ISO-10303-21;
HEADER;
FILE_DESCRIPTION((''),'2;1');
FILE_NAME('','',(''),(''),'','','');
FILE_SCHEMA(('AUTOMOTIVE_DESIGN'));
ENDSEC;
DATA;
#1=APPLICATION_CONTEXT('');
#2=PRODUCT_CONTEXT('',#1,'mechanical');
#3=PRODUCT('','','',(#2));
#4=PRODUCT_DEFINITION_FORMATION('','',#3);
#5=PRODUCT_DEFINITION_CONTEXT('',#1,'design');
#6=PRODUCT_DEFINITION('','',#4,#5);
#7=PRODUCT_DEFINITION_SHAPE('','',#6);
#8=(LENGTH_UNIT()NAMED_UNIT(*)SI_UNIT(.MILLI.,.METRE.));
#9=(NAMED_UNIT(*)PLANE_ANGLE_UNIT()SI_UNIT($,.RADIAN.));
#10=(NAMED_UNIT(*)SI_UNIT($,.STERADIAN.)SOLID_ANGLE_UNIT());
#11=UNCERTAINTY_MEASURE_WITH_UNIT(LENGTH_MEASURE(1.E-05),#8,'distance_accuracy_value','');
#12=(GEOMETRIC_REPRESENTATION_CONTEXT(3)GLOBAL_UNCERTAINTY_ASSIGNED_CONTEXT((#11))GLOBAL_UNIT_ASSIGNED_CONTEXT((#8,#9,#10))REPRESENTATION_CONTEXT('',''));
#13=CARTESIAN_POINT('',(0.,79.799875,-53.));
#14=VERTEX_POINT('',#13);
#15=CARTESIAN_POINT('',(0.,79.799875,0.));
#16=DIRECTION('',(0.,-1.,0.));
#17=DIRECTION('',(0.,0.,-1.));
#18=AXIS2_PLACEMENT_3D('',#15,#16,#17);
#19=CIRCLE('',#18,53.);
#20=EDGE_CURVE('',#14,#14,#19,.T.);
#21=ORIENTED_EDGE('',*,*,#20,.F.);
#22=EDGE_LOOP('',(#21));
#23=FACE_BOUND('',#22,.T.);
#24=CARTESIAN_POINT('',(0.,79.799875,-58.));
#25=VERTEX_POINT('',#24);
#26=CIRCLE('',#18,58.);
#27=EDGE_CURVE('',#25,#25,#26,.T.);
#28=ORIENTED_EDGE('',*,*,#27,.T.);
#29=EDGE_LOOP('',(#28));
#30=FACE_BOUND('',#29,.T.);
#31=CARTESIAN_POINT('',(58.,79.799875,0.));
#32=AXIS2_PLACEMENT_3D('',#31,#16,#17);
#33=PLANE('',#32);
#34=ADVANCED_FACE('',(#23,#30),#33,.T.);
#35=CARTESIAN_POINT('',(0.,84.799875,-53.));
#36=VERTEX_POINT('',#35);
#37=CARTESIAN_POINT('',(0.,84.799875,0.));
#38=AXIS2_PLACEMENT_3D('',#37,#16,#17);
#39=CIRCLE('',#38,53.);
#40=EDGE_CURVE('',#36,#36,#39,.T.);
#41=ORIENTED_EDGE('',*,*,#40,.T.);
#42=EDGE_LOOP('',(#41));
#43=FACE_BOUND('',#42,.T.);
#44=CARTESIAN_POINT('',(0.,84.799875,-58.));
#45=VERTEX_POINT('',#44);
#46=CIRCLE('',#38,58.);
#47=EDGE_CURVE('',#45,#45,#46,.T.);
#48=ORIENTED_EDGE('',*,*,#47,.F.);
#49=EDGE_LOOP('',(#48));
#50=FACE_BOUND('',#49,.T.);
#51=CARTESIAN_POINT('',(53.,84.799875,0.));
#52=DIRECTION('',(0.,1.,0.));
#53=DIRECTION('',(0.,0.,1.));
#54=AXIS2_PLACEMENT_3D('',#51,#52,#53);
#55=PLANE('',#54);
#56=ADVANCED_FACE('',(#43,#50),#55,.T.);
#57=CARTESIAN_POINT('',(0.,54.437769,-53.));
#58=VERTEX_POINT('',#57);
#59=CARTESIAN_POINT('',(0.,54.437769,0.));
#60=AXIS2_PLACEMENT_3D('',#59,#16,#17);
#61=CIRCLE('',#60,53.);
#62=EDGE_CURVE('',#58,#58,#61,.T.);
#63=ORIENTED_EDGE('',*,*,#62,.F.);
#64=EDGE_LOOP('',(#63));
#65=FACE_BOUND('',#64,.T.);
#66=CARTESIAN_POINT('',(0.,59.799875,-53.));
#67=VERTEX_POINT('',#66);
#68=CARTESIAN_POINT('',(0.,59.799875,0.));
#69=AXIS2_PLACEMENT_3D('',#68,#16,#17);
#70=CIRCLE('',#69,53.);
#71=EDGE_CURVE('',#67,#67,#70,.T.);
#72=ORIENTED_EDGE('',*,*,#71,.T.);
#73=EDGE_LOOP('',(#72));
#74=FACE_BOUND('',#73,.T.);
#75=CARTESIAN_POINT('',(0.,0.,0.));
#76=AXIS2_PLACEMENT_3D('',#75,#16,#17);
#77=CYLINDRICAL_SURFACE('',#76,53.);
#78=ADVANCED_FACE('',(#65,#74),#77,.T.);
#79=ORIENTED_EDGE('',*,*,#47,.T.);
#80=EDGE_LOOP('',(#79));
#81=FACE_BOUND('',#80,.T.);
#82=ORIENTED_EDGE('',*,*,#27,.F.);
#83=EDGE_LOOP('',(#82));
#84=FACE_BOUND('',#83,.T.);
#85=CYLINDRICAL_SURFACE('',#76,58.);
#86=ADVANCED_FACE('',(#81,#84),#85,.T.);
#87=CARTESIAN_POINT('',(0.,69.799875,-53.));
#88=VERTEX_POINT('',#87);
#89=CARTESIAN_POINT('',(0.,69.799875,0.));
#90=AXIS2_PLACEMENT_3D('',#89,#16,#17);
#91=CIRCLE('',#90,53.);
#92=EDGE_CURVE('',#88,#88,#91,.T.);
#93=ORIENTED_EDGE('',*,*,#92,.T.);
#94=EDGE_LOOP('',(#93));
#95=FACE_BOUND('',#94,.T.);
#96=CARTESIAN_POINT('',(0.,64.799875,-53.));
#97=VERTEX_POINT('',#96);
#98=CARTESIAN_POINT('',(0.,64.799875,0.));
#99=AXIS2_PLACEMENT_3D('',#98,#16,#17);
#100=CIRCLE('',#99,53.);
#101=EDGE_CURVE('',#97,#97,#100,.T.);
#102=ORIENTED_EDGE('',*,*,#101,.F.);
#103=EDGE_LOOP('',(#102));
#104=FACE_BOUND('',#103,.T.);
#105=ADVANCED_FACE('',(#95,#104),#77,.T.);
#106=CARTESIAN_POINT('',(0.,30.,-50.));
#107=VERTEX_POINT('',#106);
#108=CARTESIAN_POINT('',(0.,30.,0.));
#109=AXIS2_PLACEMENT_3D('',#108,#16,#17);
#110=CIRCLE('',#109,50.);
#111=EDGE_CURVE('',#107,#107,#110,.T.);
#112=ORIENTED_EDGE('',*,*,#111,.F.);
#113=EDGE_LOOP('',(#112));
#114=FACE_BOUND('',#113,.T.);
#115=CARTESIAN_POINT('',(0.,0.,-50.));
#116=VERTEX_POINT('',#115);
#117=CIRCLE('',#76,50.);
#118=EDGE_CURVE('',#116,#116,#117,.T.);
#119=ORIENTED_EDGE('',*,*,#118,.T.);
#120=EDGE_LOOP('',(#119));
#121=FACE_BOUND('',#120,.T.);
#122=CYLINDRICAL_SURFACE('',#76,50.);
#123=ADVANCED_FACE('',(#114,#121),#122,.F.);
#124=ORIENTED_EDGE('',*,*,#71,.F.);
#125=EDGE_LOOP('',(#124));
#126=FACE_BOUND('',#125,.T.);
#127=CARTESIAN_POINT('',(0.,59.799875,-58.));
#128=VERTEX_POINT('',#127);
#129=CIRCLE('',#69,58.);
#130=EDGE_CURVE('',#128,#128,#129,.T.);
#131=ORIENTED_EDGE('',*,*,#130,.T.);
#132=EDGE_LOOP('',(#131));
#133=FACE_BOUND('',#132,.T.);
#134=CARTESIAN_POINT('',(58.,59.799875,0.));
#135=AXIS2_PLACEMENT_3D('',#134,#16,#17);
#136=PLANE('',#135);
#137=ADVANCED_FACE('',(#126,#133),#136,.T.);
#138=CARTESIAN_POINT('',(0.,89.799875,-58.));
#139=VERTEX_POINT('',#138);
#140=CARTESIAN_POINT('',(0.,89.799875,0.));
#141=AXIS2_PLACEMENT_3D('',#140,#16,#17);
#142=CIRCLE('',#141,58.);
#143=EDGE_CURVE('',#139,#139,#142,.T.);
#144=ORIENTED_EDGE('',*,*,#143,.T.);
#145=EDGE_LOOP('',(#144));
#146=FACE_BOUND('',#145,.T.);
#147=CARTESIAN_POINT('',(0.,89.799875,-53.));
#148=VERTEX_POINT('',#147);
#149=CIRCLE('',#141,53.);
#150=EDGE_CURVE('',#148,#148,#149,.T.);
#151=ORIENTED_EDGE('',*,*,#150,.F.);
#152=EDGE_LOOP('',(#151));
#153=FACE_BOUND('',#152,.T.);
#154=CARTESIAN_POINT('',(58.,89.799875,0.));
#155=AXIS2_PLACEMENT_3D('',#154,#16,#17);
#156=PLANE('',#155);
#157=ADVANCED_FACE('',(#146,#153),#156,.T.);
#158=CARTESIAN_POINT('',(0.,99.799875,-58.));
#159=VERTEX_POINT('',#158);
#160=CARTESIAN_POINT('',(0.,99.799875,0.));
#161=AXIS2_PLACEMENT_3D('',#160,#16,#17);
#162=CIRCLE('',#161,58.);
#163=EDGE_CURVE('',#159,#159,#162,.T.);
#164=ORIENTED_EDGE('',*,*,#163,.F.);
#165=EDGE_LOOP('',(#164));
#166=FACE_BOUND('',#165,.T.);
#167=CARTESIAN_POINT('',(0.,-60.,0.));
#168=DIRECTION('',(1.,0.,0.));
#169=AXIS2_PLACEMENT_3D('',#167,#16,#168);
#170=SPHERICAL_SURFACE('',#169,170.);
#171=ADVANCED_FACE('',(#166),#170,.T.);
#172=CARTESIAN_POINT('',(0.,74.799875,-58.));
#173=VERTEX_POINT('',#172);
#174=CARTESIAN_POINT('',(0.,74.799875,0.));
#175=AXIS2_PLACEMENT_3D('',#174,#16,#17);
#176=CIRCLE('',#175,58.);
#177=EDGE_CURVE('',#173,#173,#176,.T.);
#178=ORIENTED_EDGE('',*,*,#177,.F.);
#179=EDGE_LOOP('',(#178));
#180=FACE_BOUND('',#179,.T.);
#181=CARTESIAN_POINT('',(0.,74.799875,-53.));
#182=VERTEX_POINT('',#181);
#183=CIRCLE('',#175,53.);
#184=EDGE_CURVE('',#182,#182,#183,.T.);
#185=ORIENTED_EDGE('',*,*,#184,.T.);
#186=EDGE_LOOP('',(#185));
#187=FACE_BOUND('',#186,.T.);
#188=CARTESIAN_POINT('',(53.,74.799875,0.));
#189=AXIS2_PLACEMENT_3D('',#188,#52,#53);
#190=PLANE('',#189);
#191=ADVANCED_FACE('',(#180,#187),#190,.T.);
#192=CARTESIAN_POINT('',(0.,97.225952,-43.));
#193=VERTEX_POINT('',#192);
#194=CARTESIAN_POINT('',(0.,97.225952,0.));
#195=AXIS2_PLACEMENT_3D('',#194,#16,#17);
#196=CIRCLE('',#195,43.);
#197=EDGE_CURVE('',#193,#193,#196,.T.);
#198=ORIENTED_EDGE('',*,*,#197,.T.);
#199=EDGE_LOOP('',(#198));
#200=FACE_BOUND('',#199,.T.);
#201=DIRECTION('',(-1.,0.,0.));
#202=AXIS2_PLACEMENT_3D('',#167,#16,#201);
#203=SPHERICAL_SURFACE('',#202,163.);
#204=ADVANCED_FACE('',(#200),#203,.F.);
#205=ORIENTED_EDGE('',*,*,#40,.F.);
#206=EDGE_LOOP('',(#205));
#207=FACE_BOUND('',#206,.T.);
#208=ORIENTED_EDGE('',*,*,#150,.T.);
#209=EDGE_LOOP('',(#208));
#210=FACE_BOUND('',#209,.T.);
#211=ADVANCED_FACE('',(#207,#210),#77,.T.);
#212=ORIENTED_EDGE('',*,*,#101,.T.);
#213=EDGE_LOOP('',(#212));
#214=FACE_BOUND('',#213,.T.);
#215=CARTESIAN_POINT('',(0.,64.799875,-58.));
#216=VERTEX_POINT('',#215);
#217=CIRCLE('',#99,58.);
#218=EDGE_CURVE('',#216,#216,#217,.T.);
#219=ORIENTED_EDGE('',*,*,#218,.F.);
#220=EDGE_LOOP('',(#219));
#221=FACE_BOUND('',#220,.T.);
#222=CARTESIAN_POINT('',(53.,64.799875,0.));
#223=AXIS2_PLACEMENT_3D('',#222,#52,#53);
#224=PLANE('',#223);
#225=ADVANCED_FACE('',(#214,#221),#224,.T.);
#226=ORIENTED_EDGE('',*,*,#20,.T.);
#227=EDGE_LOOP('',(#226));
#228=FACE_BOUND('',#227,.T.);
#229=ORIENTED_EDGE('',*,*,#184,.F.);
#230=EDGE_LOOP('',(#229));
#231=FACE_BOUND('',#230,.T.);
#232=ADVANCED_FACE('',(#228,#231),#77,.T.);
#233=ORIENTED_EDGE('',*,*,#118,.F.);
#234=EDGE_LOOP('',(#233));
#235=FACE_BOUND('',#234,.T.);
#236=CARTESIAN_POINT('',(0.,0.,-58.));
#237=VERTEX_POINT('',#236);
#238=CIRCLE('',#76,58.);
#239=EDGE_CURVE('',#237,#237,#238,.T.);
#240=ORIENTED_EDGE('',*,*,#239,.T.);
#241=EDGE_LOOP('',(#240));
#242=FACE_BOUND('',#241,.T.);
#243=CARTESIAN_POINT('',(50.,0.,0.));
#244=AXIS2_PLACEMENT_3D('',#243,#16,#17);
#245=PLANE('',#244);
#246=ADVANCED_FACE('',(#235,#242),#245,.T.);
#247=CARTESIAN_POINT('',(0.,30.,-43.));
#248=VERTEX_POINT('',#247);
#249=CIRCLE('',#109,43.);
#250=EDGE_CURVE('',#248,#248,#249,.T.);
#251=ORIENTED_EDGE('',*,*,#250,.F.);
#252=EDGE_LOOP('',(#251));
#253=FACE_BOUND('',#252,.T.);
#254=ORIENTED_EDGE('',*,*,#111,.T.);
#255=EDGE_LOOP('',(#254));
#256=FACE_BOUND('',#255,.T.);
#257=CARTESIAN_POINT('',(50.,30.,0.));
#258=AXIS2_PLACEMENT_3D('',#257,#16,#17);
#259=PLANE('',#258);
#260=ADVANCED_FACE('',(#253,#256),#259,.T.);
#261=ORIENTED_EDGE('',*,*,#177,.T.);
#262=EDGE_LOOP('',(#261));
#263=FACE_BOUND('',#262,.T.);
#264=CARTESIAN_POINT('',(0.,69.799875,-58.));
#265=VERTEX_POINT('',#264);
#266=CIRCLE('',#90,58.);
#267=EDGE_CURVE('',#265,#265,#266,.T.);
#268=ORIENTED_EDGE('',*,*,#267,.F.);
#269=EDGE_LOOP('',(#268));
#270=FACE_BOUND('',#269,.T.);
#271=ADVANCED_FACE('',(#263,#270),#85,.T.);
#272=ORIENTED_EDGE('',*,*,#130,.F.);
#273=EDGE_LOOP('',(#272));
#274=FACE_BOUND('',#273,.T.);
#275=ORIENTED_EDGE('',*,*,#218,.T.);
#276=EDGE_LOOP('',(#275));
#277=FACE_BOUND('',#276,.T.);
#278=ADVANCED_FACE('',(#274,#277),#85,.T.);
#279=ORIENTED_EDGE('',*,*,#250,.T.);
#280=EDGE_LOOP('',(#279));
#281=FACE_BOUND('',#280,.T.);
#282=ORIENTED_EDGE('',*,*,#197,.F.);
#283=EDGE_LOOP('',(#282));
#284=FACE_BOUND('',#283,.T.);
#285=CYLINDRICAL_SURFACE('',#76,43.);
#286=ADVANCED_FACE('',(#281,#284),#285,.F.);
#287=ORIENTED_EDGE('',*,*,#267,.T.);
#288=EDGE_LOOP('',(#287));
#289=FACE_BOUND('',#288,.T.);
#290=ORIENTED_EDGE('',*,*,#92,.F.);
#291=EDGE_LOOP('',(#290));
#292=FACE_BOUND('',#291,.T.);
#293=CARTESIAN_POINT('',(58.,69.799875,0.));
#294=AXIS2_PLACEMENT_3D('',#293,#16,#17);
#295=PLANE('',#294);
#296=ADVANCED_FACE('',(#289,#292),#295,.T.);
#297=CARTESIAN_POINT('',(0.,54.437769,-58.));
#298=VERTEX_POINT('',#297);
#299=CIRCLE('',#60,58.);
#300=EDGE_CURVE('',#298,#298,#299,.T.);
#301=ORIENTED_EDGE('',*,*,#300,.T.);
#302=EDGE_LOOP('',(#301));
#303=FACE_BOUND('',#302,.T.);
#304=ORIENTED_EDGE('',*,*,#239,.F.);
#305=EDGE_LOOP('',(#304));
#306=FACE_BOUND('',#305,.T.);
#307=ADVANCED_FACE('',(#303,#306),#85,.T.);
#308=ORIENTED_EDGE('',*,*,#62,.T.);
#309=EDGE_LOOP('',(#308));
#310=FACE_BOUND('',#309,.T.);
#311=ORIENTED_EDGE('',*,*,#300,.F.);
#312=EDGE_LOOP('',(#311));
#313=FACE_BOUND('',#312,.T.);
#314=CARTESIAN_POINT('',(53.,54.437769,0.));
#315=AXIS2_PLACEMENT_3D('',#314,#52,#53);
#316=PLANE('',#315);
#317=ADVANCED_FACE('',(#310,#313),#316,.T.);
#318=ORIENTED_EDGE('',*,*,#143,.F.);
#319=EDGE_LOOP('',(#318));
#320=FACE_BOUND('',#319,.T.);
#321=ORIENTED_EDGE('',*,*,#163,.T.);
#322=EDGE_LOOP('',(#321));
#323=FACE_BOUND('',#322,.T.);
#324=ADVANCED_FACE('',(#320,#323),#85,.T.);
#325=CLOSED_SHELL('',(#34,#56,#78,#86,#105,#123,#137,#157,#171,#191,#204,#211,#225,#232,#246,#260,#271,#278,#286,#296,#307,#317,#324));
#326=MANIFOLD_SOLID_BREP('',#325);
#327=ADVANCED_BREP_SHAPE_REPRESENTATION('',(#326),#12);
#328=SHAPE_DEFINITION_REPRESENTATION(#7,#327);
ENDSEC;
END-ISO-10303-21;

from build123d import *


with BuildPart() as part:
    # Sketch1 → Revolve1 (revolve)
    with BuildSketch(Plane.XY, mode=Mode.PRIVATE) as revolve1_sk:
        with BuildLine():
            Line((50, 0), (58, 0))
            Line((58, 0), (58, 54.437769177))
            Line((58, 54.437769177), (53, 54.437769177))
            Line((53, 54.437769177), (53, 59.799874844))
            Line((53, 59.799874844), (58, 59.799874844))
            Line((58, 59.799874844), (58, 64.799874844))
            Line((58, 64.799874844), (53, 64.799874844))
            Line((53, 64.799874844), (53, 69.799874844))
            Line((53, 69.799874844), (58, 69.799874844))
            Line((58, 69.799874844), (58, 74.799874844))
            Line((58, 74.799874844), (53, 74.799874844))
            Line((53, 74.799874844), (53, 79.799874844))
            Line((53, 79.799874844), (58, 79.799874844))
            Line((58, 79.799874844), (58, 84.799874844))
            Line((58, 84.799874844), (53, 84.799874844))
            Line((53, 84.799874844), (53, 89.799874844))
            Line((53, 89.799874844), (58, 89.799874844))
            Line((58, 89.799874844), (58, 99.799874844))
            ThreePointArc((58, 99.799874844), (29.445044376, 107.430550861), (0, 110))
            Line((0, 110), (0, 103))
            ThreePointArc((0, 103), (21.692969078, 101.550038974), (43, 97.225952056))
            Line((43, 97.225952056), (43, 30))
            Line((43, 30), (50, 30))
            Line((50, 30), (50, 0))
        make_face()
    revolve(revolve1_sk.sketch.rotate(Axis((0, 0, 0), (0, 1, 0)), 90), axis=Axis((0, 0, 0), (0, 1, 0)))


solid = part.part
